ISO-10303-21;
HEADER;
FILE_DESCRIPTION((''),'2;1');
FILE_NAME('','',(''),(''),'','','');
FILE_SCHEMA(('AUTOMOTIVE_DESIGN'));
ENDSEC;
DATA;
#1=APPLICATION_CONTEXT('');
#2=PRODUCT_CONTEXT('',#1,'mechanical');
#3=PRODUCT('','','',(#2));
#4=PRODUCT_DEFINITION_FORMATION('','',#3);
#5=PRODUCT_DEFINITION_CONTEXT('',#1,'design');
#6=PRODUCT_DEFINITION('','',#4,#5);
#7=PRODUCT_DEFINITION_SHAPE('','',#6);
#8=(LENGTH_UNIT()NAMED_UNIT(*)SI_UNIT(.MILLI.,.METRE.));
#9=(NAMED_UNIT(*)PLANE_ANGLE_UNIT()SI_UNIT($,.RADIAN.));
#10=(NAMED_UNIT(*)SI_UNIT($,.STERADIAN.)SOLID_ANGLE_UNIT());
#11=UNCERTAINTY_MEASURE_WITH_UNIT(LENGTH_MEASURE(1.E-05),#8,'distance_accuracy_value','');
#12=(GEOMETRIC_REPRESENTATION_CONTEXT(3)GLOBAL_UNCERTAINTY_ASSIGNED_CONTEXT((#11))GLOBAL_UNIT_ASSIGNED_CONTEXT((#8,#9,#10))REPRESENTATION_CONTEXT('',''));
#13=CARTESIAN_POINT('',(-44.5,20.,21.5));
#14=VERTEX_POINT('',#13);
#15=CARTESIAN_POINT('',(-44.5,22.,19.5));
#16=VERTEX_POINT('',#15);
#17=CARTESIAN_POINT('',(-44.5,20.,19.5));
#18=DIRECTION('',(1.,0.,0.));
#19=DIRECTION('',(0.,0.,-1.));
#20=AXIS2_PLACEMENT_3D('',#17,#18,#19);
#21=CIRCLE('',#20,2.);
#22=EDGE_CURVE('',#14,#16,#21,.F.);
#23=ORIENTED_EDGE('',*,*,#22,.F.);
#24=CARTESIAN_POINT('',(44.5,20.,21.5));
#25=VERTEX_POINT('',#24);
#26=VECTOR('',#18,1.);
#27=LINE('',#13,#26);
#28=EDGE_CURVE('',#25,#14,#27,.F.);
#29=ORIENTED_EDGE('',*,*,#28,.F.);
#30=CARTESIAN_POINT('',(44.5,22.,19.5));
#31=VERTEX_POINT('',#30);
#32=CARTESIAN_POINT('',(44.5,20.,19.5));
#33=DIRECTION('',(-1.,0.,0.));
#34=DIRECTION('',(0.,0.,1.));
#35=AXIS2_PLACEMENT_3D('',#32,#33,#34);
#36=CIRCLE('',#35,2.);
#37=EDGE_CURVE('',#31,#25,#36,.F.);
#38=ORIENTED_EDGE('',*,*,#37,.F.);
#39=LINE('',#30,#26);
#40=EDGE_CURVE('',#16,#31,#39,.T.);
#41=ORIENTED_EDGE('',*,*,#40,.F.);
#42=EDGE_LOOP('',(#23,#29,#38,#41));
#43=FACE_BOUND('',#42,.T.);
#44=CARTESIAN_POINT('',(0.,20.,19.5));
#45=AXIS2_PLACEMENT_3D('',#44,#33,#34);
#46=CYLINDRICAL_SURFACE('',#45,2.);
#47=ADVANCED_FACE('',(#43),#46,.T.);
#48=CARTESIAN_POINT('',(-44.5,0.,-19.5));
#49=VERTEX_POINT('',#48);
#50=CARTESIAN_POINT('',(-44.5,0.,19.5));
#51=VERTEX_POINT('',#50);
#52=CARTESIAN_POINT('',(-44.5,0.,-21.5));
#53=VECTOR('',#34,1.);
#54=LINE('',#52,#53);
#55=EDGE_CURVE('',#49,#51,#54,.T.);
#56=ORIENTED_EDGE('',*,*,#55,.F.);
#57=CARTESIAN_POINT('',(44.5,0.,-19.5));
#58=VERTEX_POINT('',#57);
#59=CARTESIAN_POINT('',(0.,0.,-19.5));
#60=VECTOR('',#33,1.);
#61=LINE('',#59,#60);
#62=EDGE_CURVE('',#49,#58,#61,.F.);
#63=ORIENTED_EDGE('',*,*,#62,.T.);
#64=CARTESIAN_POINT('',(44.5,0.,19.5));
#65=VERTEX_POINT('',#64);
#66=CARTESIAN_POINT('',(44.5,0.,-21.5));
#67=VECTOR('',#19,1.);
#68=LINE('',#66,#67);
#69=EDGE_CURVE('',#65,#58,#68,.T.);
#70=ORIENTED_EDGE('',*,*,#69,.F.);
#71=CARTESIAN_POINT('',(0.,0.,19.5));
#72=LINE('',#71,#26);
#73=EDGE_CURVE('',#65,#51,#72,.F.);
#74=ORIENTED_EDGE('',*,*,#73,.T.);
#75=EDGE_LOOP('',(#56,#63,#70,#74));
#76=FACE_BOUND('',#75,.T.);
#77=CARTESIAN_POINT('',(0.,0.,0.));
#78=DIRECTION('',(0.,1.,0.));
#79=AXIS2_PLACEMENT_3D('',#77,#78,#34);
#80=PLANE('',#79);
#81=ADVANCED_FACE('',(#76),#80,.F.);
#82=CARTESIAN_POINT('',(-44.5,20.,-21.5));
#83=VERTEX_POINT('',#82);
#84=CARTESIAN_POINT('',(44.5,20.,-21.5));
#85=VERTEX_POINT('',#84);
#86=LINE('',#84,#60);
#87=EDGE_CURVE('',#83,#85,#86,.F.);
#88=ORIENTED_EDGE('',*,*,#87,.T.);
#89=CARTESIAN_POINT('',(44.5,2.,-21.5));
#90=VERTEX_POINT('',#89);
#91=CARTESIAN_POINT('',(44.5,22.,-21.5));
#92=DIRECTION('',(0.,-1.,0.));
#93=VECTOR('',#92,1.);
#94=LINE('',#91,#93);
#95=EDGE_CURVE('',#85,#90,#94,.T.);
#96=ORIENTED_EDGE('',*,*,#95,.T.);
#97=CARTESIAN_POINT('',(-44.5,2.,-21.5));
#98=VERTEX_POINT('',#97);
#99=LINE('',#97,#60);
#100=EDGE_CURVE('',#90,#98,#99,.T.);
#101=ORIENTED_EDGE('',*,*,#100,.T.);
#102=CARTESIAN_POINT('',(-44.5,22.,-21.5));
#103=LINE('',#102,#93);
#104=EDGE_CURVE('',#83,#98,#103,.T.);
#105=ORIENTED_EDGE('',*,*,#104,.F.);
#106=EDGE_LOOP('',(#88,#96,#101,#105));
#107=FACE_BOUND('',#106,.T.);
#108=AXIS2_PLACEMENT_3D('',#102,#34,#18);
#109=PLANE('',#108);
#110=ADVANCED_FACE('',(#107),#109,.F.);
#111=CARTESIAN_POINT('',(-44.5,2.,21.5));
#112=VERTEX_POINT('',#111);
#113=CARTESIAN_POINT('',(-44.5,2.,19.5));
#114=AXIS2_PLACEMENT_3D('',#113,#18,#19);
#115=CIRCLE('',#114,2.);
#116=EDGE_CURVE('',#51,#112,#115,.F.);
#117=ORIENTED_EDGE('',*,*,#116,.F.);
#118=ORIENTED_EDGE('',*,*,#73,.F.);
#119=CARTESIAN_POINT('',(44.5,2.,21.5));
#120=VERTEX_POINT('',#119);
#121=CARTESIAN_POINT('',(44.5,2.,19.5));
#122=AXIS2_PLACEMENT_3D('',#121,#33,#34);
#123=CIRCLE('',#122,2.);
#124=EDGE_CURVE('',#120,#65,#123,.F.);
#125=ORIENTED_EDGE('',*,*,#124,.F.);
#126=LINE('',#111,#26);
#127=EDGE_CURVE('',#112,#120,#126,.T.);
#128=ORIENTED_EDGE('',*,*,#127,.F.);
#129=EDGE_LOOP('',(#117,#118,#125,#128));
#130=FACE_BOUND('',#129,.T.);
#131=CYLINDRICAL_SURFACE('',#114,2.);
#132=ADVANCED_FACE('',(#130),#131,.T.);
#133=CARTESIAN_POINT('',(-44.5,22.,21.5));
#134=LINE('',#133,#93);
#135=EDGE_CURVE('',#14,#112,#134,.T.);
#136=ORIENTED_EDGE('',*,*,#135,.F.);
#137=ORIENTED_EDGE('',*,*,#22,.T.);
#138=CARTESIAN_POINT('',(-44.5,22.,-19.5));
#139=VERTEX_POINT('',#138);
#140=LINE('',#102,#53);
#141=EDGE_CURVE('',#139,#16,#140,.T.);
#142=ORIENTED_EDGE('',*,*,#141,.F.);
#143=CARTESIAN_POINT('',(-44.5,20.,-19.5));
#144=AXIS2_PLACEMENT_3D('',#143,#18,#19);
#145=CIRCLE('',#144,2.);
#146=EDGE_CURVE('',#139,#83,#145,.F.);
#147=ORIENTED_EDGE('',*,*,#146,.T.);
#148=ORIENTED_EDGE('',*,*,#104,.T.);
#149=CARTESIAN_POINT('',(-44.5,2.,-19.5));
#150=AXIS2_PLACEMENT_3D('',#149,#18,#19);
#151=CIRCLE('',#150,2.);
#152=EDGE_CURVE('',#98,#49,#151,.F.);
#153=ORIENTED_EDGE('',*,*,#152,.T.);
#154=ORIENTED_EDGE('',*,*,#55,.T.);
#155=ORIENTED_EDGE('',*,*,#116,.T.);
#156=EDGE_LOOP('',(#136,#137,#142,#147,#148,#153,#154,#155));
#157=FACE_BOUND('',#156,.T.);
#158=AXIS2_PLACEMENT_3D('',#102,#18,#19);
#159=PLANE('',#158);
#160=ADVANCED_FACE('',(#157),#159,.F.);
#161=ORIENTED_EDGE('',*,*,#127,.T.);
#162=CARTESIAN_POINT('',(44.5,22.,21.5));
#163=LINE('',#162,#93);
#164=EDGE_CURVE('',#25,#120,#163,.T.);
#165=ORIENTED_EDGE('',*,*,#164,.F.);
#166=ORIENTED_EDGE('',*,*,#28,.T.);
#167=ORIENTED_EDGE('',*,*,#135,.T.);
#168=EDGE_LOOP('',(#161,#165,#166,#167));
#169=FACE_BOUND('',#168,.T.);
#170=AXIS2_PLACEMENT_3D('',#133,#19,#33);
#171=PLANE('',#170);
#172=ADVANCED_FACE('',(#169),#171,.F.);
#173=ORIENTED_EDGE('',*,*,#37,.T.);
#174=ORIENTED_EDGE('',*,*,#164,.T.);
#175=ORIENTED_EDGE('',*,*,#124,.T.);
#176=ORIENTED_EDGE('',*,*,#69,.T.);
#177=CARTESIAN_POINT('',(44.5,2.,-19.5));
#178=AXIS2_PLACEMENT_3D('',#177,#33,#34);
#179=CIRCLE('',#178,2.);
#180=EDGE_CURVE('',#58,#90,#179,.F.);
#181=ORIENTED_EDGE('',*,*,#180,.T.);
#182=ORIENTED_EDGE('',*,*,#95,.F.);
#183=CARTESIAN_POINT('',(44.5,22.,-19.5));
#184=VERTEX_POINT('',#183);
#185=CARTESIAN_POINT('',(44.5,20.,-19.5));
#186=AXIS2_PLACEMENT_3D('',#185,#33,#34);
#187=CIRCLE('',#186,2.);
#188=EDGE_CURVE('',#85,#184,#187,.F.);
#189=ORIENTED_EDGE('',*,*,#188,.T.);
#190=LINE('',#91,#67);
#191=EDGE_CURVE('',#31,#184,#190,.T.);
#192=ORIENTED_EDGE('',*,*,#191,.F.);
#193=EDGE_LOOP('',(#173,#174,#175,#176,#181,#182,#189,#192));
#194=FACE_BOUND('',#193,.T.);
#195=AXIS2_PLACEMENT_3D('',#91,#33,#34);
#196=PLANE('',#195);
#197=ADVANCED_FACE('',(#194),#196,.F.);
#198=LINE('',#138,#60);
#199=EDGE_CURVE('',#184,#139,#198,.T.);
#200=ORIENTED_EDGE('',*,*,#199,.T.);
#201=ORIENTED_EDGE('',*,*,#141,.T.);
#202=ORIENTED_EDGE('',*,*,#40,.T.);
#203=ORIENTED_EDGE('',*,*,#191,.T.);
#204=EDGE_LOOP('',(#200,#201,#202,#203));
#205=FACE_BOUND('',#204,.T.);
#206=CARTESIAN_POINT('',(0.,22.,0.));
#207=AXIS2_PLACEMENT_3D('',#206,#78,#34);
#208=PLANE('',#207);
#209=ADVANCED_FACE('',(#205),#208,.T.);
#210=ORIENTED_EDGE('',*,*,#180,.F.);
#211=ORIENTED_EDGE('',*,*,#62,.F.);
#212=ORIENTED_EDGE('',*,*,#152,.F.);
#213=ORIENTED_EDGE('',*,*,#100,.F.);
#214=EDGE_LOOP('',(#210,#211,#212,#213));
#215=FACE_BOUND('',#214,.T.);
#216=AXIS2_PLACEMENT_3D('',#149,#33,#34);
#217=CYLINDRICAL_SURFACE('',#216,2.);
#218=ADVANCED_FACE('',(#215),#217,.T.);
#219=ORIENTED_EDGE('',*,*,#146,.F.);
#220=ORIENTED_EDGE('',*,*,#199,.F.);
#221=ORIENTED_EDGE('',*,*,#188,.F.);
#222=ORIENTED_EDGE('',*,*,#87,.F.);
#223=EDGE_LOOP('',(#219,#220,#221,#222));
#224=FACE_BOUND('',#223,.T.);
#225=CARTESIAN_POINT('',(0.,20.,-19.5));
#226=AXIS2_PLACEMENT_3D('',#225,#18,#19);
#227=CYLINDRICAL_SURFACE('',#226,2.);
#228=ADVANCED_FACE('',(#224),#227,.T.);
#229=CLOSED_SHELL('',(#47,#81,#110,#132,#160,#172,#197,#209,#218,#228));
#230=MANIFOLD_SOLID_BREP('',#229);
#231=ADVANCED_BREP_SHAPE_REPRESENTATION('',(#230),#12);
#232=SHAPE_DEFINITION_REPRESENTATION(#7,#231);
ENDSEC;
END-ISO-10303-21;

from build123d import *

# Parameters (mm, degrees)
SKETCH1_W           = 89
SKETCH1_H           = 43
BOSS_EXTRUDE1_DEPTH = 22
FILLET1_R           = 2


with BuildPart() as part:
    # Sketch1 → Boss-Extrude1 (new body)
    with BuildSketch(Plane(origin=(0, 0, 0), x_dir=(1, 0, 0), z_dir=(0, 1, 0))):
        Rectangle(SKETCH1_W, SKETCH1_H)
    extrude(amount=BOSS_EXTRUDE1_DEPTH)

    # Fillet1
    fillet1_edges = [part.edges().sort_by_distance(p)[0] for p in [
        (0, 22, -21.5),
        (0, 0, -21.5),
        (0, 0, 21.5),
        (0, 22, 21.5),
    ]]
    fillet(fillet1_edges, radius=FILLET1_R)


solid = part.part
